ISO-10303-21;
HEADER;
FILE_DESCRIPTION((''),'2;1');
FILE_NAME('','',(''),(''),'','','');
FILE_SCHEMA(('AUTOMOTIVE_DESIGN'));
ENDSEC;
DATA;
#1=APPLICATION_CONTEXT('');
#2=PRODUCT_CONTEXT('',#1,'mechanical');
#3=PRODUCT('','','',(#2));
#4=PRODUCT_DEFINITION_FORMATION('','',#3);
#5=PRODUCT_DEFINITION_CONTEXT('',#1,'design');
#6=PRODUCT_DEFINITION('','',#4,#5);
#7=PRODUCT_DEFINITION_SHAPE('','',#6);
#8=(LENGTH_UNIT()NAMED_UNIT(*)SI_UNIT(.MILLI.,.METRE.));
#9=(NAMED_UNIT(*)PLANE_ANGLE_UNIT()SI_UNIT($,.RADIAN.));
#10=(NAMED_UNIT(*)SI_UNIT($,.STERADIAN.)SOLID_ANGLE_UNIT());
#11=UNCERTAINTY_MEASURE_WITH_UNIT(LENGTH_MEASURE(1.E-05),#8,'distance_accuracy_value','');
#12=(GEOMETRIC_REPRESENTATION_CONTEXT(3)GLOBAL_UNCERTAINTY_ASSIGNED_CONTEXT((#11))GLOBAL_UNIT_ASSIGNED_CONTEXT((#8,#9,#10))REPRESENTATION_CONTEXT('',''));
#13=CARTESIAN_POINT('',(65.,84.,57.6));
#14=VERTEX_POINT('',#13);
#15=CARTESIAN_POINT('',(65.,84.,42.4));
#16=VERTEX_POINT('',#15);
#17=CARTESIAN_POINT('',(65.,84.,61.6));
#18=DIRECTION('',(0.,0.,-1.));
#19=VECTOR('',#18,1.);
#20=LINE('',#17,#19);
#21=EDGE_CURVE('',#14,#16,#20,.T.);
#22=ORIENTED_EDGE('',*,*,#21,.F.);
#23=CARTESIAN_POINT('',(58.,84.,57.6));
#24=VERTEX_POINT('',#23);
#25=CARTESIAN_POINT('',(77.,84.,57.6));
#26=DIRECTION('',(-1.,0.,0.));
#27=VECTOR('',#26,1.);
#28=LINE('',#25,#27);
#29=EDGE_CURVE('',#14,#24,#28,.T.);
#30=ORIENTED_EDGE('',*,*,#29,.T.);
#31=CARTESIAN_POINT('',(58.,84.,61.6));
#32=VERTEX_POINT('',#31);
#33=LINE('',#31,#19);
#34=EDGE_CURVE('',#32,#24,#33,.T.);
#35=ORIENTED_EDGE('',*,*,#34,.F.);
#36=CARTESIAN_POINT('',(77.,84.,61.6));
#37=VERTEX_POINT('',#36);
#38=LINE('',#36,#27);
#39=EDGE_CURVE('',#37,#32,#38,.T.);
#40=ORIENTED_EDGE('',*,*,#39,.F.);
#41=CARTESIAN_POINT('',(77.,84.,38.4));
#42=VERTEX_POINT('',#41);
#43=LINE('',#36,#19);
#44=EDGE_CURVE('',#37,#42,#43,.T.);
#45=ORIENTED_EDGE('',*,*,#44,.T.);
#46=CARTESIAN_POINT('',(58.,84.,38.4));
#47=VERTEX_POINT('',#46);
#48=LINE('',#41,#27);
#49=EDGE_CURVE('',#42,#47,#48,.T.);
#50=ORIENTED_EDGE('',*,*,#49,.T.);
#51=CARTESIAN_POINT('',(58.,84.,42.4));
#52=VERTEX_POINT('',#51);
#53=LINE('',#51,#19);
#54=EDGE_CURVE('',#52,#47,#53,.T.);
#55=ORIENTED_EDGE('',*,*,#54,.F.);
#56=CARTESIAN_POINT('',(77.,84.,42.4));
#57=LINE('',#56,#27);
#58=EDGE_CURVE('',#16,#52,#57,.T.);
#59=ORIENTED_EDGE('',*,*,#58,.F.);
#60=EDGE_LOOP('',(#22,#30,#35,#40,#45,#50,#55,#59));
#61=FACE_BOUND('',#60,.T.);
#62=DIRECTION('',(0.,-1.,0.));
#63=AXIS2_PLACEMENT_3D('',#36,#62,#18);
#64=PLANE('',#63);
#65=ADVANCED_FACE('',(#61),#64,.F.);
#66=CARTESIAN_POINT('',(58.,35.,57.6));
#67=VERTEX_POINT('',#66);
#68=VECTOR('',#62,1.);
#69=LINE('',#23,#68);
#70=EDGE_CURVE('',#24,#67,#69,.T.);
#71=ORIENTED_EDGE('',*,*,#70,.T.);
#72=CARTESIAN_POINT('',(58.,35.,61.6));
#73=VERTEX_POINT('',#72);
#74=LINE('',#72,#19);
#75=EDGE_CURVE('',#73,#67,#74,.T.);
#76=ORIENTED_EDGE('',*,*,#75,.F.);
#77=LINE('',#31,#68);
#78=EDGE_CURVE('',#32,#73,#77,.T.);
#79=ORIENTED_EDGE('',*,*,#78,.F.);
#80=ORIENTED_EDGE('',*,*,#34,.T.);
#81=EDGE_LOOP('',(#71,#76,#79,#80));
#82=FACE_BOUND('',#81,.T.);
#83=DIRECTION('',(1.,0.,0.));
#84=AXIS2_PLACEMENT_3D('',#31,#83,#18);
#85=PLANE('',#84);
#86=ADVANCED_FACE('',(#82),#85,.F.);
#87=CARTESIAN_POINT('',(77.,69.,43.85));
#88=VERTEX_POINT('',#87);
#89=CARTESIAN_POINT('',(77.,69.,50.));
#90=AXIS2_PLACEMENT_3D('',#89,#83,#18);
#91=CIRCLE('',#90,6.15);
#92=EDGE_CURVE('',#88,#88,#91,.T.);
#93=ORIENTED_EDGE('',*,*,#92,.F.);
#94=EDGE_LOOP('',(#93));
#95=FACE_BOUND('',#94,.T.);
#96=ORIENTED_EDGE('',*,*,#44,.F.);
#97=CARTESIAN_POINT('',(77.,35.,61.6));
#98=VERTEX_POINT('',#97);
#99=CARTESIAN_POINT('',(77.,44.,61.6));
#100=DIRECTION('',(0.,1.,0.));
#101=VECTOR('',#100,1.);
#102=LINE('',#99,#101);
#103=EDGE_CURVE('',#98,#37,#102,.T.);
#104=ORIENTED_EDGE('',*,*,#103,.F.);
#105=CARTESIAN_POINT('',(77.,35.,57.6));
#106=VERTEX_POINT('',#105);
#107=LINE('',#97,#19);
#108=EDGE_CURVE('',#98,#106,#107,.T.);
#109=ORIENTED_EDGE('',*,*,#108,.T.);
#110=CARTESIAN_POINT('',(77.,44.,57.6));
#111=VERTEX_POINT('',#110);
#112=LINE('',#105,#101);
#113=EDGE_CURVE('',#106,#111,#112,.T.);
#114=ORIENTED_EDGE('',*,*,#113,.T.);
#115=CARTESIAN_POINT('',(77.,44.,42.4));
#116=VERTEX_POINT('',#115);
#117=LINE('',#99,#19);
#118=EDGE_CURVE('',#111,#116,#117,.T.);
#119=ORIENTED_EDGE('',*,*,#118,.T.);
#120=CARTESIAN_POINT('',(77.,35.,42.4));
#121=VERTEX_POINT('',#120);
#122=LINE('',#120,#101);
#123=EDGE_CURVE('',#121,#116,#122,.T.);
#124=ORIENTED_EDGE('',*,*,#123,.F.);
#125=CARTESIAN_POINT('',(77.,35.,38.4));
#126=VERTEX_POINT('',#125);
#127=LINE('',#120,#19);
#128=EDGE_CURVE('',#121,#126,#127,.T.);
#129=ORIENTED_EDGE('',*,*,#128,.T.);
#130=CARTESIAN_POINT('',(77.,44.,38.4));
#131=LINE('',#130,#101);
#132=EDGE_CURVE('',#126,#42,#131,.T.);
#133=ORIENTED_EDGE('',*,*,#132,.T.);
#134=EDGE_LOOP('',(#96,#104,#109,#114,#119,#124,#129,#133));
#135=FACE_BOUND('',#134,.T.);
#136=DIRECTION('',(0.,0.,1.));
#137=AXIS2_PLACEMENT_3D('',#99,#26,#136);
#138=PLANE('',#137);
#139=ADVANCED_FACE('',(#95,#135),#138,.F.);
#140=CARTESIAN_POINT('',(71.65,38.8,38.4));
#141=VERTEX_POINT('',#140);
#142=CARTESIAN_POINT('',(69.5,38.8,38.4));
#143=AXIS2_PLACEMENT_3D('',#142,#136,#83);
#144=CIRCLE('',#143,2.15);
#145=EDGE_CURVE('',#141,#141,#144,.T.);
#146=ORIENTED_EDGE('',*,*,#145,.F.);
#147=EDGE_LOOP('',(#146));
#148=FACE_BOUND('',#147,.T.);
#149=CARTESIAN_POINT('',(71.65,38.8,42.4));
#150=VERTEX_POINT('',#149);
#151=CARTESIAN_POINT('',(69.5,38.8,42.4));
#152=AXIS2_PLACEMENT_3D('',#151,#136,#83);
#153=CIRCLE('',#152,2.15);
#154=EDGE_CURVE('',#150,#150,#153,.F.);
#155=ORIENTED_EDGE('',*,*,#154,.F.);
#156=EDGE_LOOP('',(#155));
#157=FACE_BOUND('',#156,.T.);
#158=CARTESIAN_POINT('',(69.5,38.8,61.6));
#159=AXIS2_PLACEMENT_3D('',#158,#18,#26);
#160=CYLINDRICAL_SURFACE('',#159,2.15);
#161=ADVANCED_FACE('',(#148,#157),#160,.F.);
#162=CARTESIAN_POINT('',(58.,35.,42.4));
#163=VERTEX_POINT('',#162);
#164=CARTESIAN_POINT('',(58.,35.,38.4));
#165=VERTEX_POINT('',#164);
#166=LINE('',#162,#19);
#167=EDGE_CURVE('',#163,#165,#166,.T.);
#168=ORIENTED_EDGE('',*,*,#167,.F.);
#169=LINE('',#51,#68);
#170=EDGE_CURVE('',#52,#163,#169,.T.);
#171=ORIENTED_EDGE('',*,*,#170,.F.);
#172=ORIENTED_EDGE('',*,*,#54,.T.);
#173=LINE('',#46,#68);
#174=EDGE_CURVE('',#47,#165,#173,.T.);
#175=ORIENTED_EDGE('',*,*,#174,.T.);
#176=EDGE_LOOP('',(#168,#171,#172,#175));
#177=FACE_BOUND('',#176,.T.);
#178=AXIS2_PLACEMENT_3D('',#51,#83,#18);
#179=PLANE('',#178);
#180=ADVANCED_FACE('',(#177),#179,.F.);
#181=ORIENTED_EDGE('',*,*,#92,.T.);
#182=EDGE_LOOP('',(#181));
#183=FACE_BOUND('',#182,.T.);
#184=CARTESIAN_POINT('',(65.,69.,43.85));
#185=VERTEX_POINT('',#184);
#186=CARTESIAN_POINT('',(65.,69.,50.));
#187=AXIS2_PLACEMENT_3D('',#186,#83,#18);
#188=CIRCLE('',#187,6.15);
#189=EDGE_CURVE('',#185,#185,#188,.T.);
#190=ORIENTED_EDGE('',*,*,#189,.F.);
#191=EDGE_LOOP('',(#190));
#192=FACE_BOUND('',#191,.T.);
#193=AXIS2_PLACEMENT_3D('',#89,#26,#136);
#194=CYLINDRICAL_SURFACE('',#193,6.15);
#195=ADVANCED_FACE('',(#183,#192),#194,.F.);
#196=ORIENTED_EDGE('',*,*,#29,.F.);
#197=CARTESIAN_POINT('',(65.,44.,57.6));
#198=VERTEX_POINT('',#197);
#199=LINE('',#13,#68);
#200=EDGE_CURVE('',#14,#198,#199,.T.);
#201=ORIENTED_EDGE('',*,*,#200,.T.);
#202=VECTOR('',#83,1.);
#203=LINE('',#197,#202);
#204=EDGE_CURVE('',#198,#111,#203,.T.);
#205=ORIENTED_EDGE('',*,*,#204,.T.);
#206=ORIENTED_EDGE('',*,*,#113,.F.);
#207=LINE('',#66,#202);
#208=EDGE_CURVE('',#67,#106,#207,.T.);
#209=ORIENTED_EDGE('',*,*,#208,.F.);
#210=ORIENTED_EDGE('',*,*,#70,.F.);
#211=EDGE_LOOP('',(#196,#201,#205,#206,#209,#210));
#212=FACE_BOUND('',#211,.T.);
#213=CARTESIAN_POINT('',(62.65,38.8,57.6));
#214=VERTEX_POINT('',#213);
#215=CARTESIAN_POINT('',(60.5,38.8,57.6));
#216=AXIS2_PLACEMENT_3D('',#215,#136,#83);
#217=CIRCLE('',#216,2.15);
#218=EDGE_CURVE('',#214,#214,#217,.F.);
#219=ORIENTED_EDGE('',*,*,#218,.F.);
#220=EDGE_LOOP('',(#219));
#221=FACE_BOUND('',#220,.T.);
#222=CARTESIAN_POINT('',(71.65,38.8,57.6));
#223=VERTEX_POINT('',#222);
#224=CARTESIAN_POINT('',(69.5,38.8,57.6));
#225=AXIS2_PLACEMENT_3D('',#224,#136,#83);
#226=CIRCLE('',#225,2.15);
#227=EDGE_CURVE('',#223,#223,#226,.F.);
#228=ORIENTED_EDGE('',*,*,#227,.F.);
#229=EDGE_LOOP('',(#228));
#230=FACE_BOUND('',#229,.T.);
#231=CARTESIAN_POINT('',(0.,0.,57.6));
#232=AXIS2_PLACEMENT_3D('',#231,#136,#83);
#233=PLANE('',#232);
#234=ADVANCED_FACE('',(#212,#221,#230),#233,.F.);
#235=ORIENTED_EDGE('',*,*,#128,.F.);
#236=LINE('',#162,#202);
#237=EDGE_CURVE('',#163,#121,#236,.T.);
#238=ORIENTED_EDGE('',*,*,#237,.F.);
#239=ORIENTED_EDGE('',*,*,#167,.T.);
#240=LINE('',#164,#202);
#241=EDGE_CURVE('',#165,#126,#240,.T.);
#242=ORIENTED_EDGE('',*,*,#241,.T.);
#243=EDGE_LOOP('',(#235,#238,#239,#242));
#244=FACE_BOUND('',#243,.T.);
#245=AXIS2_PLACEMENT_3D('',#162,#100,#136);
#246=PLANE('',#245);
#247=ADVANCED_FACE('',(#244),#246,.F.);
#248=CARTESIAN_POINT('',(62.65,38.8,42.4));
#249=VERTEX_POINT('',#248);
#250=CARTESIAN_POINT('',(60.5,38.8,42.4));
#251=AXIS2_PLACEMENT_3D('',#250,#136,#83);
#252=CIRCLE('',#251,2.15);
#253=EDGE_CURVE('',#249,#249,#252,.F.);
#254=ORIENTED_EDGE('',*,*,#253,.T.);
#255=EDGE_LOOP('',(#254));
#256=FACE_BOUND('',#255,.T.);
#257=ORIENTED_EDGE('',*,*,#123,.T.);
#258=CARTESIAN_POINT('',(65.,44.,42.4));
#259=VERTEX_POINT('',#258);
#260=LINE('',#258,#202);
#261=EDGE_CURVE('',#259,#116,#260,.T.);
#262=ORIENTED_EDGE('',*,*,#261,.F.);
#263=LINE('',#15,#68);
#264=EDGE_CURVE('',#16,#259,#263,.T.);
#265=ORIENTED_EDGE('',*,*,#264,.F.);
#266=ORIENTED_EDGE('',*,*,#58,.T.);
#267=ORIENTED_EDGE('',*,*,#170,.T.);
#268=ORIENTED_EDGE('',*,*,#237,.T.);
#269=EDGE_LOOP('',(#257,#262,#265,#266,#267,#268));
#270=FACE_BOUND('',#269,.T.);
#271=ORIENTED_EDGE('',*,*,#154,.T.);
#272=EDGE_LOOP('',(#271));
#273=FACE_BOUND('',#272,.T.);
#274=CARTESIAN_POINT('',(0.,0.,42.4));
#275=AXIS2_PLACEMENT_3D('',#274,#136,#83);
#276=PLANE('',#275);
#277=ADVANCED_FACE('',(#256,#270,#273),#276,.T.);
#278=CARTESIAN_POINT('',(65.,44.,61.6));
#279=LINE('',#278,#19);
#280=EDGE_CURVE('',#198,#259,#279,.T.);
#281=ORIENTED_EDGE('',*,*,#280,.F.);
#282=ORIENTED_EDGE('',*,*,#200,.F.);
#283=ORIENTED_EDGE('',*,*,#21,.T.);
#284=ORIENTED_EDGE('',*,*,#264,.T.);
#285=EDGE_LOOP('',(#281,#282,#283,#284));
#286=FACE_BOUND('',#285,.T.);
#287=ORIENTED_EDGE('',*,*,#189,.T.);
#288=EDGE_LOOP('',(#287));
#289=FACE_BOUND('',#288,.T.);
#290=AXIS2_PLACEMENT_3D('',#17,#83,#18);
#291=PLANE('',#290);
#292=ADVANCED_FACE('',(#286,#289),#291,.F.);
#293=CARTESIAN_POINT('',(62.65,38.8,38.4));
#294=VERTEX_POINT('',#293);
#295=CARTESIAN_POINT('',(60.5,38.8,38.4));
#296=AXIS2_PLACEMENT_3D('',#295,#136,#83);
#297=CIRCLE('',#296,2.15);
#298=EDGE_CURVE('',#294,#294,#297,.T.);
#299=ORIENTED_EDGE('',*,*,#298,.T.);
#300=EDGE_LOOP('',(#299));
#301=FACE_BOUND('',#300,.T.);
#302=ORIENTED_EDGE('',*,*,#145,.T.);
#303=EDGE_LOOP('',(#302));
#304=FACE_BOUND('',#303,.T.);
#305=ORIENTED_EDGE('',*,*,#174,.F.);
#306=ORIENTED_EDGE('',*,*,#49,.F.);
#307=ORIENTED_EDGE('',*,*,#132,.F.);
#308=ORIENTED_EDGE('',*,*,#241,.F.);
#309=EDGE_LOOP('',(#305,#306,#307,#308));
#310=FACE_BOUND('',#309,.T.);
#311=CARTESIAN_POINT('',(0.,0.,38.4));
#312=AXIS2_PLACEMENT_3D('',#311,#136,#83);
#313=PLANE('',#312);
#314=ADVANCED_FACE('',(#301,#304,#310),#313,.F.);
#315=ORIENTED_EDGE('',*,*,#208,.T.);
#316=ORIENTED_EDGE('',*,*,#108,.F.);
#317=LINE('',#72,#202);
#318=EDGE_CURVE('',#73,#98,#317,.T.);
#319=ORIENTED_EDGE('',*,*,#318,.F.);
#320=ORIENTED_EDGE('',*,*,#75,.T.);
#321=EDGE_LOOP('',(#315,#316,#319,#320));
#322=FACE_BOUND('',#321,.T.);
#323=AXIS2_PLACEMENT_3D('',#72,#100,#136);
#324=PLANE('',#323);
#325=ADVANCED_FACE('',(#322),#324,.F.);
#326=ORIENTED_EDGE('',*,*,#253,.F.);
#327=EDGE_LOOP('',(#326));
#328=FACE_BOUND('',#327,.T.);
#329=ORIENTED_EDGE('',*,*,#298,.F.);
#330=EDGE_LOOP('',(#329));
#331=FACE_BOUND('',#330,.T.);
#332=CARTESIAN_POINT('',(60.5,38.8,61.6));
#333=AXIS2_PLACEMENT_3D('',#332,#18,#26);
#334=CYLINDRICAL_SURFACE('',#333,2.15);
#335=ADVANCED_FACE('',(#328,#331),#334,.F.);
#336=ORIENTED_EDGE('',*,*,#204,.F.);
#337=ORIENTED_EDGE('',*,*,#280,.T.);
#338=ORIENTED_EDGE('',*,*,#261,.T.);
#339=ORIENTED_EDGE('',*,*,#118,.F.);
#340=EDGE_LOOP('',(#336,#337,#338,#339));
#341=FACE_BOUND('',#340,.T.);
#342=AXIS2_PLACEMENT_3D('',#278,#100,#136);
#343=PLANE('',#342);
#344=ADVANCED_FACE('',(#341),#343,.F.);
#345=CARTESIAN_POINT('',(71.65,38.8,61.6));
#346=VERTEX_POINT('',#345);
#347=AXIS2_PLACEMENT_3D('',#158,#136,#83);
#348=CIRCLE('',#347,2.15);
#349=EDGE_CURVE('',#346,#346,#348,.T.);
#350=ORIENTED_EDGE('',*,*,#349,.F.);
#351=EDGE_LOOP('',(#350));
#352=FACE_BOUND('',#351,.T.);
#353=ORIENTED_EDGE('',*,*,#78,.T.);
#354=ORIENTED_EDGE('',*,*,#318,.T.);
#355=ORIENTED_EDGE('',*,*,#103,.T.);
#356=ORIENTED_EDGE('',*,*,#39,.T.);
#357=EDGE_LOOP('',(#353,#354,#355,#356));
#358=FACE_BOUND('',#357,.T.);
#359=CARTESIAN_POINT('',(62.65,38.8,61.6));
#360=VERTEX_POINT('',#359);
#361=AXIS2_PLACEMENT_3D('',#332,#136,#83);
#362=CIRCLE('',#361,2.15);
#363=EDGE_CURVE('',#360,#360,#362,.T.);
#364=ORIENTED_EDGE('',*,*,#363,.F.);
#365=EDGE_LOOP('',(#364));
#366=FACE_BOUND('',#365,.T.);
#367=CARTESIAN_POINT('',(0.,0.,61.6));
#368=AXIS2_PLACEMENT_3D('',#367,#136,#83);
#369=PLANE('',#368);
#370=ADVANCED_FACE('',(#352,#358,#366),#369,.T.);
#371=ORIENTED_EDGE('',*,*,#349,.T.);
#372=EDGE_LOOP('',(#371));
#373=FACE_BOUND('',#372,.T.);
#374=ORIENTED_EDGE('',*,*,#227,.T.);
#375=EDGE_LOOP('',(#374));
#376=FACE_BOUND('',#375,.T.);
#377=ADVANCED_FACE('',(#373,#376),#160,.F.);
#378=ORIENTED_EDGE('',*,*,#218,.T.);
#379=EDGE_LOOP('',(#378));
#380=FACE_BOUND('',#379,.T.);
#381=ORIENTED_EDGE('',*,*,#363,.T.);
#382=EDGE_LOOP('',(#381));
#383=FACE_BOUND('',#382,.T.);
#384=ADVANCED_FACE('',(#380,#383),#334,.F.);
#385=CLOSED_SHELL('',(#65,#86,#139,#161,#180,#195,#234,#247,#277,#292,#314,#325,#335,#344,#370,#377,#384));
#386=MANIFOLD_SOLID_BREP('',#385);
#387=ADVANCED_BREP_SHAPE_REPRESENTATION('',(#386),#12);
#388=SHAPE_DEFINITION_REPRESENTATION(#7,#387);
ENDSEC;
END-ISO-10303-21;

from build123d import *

# Parameters (mm, degrees)
GUIDED_START                               = 38.4
SKETCH1_W                                  = 12
SKETCH1_H                                  = 40
GUIDED_BRIDGE_WITH_ROD_COUPLING_SEAT_DEPTH = 23.2
LOWER_START                                = 38.4
SKETCH2_W                                  = 19
SKETCH2_H                                  = 49
LOWER_RACK_LAP_DEPTH                       = 4
UPPER_START                                = 57.6
SKETCH3_W                                  = 19
SKETCH3_H                                  = 49
UPPER_RACK_LAP_DEPTH                       = 4
M4_START                                   = 38.4
SKETCH4_R                                  = 2.15
M4_JOINT_BOLT_CLEARANCE_DEPTH              = 23.2
RADIAL_START                               = 65
SKETCH5_R                                  = 6.15
RADIAL_FLOATING_STUD_CLEARANCE_DEPTH       = 12


with BuildPart() as part:
    # Sketch1 → Guided bridge with rod coupling seat (new body)
    with BuildSketch(Plane.XY.offset(GUIDED_START)):
        with Locations((71, 64)):
            Rectangle(SKETCH1_W, SKETCH1_H)
    extrude(amount=GUIDED_BRIDGE_WITH_ROD_COUPLING_SEAT_DEPTH)

    # Sketch2 → Lower rack lap (add)
    with BuildSketch(Plane.XY.offset(LOWER_START)):
        with Locations((67.5, 59.5)):
            Rectangle(SKETCH2_W, SKETCH2_H)
    extrude(amount=LOWER_RACK_LAP_DEPTH)

    # Sketch3 → Upper rack lap (add)
    with BuildSketch(Plane.XY.offset(UPPER_START)):
        with Locations((67.5, 59.5)):
            Rectangle(SKETCH3_W, SKETCH3_H)
    extrude(amount=UPPER_RACK_LAP_DEPTH)

    # Sketch4 → M4 joint bolt clearance (cut)
    with BuildSketch(Plane.XY.offset(M4_START)):
        with Locations((60.5, 38.8)):
            Circle(SKETCH4_R)
        with Locations((69.5, 38.8)):
            Circle(SKETCH4_R)
    extrude(amount=M4_JOINT_BOLT_CLEARANCE_DEPTH, mode=Mode.SUBTRACT)

    # Sketch5 → Radial floating stud clearance (cut)
    with BuildSketch(Plane(origin=(0, 0, 0), x_dir=(0, 0, -1), z_dir=(1, 0, 0)).offset(RADIAL_START)):
        with Locations((-50, 69)):
            Circle(SKETCH5_R)
    extrude(amount=RADIAL_FLOATING_STUD_CLEARANCE_DEPTH, mode=Mode.SUBTRACT)


solid = part.part
